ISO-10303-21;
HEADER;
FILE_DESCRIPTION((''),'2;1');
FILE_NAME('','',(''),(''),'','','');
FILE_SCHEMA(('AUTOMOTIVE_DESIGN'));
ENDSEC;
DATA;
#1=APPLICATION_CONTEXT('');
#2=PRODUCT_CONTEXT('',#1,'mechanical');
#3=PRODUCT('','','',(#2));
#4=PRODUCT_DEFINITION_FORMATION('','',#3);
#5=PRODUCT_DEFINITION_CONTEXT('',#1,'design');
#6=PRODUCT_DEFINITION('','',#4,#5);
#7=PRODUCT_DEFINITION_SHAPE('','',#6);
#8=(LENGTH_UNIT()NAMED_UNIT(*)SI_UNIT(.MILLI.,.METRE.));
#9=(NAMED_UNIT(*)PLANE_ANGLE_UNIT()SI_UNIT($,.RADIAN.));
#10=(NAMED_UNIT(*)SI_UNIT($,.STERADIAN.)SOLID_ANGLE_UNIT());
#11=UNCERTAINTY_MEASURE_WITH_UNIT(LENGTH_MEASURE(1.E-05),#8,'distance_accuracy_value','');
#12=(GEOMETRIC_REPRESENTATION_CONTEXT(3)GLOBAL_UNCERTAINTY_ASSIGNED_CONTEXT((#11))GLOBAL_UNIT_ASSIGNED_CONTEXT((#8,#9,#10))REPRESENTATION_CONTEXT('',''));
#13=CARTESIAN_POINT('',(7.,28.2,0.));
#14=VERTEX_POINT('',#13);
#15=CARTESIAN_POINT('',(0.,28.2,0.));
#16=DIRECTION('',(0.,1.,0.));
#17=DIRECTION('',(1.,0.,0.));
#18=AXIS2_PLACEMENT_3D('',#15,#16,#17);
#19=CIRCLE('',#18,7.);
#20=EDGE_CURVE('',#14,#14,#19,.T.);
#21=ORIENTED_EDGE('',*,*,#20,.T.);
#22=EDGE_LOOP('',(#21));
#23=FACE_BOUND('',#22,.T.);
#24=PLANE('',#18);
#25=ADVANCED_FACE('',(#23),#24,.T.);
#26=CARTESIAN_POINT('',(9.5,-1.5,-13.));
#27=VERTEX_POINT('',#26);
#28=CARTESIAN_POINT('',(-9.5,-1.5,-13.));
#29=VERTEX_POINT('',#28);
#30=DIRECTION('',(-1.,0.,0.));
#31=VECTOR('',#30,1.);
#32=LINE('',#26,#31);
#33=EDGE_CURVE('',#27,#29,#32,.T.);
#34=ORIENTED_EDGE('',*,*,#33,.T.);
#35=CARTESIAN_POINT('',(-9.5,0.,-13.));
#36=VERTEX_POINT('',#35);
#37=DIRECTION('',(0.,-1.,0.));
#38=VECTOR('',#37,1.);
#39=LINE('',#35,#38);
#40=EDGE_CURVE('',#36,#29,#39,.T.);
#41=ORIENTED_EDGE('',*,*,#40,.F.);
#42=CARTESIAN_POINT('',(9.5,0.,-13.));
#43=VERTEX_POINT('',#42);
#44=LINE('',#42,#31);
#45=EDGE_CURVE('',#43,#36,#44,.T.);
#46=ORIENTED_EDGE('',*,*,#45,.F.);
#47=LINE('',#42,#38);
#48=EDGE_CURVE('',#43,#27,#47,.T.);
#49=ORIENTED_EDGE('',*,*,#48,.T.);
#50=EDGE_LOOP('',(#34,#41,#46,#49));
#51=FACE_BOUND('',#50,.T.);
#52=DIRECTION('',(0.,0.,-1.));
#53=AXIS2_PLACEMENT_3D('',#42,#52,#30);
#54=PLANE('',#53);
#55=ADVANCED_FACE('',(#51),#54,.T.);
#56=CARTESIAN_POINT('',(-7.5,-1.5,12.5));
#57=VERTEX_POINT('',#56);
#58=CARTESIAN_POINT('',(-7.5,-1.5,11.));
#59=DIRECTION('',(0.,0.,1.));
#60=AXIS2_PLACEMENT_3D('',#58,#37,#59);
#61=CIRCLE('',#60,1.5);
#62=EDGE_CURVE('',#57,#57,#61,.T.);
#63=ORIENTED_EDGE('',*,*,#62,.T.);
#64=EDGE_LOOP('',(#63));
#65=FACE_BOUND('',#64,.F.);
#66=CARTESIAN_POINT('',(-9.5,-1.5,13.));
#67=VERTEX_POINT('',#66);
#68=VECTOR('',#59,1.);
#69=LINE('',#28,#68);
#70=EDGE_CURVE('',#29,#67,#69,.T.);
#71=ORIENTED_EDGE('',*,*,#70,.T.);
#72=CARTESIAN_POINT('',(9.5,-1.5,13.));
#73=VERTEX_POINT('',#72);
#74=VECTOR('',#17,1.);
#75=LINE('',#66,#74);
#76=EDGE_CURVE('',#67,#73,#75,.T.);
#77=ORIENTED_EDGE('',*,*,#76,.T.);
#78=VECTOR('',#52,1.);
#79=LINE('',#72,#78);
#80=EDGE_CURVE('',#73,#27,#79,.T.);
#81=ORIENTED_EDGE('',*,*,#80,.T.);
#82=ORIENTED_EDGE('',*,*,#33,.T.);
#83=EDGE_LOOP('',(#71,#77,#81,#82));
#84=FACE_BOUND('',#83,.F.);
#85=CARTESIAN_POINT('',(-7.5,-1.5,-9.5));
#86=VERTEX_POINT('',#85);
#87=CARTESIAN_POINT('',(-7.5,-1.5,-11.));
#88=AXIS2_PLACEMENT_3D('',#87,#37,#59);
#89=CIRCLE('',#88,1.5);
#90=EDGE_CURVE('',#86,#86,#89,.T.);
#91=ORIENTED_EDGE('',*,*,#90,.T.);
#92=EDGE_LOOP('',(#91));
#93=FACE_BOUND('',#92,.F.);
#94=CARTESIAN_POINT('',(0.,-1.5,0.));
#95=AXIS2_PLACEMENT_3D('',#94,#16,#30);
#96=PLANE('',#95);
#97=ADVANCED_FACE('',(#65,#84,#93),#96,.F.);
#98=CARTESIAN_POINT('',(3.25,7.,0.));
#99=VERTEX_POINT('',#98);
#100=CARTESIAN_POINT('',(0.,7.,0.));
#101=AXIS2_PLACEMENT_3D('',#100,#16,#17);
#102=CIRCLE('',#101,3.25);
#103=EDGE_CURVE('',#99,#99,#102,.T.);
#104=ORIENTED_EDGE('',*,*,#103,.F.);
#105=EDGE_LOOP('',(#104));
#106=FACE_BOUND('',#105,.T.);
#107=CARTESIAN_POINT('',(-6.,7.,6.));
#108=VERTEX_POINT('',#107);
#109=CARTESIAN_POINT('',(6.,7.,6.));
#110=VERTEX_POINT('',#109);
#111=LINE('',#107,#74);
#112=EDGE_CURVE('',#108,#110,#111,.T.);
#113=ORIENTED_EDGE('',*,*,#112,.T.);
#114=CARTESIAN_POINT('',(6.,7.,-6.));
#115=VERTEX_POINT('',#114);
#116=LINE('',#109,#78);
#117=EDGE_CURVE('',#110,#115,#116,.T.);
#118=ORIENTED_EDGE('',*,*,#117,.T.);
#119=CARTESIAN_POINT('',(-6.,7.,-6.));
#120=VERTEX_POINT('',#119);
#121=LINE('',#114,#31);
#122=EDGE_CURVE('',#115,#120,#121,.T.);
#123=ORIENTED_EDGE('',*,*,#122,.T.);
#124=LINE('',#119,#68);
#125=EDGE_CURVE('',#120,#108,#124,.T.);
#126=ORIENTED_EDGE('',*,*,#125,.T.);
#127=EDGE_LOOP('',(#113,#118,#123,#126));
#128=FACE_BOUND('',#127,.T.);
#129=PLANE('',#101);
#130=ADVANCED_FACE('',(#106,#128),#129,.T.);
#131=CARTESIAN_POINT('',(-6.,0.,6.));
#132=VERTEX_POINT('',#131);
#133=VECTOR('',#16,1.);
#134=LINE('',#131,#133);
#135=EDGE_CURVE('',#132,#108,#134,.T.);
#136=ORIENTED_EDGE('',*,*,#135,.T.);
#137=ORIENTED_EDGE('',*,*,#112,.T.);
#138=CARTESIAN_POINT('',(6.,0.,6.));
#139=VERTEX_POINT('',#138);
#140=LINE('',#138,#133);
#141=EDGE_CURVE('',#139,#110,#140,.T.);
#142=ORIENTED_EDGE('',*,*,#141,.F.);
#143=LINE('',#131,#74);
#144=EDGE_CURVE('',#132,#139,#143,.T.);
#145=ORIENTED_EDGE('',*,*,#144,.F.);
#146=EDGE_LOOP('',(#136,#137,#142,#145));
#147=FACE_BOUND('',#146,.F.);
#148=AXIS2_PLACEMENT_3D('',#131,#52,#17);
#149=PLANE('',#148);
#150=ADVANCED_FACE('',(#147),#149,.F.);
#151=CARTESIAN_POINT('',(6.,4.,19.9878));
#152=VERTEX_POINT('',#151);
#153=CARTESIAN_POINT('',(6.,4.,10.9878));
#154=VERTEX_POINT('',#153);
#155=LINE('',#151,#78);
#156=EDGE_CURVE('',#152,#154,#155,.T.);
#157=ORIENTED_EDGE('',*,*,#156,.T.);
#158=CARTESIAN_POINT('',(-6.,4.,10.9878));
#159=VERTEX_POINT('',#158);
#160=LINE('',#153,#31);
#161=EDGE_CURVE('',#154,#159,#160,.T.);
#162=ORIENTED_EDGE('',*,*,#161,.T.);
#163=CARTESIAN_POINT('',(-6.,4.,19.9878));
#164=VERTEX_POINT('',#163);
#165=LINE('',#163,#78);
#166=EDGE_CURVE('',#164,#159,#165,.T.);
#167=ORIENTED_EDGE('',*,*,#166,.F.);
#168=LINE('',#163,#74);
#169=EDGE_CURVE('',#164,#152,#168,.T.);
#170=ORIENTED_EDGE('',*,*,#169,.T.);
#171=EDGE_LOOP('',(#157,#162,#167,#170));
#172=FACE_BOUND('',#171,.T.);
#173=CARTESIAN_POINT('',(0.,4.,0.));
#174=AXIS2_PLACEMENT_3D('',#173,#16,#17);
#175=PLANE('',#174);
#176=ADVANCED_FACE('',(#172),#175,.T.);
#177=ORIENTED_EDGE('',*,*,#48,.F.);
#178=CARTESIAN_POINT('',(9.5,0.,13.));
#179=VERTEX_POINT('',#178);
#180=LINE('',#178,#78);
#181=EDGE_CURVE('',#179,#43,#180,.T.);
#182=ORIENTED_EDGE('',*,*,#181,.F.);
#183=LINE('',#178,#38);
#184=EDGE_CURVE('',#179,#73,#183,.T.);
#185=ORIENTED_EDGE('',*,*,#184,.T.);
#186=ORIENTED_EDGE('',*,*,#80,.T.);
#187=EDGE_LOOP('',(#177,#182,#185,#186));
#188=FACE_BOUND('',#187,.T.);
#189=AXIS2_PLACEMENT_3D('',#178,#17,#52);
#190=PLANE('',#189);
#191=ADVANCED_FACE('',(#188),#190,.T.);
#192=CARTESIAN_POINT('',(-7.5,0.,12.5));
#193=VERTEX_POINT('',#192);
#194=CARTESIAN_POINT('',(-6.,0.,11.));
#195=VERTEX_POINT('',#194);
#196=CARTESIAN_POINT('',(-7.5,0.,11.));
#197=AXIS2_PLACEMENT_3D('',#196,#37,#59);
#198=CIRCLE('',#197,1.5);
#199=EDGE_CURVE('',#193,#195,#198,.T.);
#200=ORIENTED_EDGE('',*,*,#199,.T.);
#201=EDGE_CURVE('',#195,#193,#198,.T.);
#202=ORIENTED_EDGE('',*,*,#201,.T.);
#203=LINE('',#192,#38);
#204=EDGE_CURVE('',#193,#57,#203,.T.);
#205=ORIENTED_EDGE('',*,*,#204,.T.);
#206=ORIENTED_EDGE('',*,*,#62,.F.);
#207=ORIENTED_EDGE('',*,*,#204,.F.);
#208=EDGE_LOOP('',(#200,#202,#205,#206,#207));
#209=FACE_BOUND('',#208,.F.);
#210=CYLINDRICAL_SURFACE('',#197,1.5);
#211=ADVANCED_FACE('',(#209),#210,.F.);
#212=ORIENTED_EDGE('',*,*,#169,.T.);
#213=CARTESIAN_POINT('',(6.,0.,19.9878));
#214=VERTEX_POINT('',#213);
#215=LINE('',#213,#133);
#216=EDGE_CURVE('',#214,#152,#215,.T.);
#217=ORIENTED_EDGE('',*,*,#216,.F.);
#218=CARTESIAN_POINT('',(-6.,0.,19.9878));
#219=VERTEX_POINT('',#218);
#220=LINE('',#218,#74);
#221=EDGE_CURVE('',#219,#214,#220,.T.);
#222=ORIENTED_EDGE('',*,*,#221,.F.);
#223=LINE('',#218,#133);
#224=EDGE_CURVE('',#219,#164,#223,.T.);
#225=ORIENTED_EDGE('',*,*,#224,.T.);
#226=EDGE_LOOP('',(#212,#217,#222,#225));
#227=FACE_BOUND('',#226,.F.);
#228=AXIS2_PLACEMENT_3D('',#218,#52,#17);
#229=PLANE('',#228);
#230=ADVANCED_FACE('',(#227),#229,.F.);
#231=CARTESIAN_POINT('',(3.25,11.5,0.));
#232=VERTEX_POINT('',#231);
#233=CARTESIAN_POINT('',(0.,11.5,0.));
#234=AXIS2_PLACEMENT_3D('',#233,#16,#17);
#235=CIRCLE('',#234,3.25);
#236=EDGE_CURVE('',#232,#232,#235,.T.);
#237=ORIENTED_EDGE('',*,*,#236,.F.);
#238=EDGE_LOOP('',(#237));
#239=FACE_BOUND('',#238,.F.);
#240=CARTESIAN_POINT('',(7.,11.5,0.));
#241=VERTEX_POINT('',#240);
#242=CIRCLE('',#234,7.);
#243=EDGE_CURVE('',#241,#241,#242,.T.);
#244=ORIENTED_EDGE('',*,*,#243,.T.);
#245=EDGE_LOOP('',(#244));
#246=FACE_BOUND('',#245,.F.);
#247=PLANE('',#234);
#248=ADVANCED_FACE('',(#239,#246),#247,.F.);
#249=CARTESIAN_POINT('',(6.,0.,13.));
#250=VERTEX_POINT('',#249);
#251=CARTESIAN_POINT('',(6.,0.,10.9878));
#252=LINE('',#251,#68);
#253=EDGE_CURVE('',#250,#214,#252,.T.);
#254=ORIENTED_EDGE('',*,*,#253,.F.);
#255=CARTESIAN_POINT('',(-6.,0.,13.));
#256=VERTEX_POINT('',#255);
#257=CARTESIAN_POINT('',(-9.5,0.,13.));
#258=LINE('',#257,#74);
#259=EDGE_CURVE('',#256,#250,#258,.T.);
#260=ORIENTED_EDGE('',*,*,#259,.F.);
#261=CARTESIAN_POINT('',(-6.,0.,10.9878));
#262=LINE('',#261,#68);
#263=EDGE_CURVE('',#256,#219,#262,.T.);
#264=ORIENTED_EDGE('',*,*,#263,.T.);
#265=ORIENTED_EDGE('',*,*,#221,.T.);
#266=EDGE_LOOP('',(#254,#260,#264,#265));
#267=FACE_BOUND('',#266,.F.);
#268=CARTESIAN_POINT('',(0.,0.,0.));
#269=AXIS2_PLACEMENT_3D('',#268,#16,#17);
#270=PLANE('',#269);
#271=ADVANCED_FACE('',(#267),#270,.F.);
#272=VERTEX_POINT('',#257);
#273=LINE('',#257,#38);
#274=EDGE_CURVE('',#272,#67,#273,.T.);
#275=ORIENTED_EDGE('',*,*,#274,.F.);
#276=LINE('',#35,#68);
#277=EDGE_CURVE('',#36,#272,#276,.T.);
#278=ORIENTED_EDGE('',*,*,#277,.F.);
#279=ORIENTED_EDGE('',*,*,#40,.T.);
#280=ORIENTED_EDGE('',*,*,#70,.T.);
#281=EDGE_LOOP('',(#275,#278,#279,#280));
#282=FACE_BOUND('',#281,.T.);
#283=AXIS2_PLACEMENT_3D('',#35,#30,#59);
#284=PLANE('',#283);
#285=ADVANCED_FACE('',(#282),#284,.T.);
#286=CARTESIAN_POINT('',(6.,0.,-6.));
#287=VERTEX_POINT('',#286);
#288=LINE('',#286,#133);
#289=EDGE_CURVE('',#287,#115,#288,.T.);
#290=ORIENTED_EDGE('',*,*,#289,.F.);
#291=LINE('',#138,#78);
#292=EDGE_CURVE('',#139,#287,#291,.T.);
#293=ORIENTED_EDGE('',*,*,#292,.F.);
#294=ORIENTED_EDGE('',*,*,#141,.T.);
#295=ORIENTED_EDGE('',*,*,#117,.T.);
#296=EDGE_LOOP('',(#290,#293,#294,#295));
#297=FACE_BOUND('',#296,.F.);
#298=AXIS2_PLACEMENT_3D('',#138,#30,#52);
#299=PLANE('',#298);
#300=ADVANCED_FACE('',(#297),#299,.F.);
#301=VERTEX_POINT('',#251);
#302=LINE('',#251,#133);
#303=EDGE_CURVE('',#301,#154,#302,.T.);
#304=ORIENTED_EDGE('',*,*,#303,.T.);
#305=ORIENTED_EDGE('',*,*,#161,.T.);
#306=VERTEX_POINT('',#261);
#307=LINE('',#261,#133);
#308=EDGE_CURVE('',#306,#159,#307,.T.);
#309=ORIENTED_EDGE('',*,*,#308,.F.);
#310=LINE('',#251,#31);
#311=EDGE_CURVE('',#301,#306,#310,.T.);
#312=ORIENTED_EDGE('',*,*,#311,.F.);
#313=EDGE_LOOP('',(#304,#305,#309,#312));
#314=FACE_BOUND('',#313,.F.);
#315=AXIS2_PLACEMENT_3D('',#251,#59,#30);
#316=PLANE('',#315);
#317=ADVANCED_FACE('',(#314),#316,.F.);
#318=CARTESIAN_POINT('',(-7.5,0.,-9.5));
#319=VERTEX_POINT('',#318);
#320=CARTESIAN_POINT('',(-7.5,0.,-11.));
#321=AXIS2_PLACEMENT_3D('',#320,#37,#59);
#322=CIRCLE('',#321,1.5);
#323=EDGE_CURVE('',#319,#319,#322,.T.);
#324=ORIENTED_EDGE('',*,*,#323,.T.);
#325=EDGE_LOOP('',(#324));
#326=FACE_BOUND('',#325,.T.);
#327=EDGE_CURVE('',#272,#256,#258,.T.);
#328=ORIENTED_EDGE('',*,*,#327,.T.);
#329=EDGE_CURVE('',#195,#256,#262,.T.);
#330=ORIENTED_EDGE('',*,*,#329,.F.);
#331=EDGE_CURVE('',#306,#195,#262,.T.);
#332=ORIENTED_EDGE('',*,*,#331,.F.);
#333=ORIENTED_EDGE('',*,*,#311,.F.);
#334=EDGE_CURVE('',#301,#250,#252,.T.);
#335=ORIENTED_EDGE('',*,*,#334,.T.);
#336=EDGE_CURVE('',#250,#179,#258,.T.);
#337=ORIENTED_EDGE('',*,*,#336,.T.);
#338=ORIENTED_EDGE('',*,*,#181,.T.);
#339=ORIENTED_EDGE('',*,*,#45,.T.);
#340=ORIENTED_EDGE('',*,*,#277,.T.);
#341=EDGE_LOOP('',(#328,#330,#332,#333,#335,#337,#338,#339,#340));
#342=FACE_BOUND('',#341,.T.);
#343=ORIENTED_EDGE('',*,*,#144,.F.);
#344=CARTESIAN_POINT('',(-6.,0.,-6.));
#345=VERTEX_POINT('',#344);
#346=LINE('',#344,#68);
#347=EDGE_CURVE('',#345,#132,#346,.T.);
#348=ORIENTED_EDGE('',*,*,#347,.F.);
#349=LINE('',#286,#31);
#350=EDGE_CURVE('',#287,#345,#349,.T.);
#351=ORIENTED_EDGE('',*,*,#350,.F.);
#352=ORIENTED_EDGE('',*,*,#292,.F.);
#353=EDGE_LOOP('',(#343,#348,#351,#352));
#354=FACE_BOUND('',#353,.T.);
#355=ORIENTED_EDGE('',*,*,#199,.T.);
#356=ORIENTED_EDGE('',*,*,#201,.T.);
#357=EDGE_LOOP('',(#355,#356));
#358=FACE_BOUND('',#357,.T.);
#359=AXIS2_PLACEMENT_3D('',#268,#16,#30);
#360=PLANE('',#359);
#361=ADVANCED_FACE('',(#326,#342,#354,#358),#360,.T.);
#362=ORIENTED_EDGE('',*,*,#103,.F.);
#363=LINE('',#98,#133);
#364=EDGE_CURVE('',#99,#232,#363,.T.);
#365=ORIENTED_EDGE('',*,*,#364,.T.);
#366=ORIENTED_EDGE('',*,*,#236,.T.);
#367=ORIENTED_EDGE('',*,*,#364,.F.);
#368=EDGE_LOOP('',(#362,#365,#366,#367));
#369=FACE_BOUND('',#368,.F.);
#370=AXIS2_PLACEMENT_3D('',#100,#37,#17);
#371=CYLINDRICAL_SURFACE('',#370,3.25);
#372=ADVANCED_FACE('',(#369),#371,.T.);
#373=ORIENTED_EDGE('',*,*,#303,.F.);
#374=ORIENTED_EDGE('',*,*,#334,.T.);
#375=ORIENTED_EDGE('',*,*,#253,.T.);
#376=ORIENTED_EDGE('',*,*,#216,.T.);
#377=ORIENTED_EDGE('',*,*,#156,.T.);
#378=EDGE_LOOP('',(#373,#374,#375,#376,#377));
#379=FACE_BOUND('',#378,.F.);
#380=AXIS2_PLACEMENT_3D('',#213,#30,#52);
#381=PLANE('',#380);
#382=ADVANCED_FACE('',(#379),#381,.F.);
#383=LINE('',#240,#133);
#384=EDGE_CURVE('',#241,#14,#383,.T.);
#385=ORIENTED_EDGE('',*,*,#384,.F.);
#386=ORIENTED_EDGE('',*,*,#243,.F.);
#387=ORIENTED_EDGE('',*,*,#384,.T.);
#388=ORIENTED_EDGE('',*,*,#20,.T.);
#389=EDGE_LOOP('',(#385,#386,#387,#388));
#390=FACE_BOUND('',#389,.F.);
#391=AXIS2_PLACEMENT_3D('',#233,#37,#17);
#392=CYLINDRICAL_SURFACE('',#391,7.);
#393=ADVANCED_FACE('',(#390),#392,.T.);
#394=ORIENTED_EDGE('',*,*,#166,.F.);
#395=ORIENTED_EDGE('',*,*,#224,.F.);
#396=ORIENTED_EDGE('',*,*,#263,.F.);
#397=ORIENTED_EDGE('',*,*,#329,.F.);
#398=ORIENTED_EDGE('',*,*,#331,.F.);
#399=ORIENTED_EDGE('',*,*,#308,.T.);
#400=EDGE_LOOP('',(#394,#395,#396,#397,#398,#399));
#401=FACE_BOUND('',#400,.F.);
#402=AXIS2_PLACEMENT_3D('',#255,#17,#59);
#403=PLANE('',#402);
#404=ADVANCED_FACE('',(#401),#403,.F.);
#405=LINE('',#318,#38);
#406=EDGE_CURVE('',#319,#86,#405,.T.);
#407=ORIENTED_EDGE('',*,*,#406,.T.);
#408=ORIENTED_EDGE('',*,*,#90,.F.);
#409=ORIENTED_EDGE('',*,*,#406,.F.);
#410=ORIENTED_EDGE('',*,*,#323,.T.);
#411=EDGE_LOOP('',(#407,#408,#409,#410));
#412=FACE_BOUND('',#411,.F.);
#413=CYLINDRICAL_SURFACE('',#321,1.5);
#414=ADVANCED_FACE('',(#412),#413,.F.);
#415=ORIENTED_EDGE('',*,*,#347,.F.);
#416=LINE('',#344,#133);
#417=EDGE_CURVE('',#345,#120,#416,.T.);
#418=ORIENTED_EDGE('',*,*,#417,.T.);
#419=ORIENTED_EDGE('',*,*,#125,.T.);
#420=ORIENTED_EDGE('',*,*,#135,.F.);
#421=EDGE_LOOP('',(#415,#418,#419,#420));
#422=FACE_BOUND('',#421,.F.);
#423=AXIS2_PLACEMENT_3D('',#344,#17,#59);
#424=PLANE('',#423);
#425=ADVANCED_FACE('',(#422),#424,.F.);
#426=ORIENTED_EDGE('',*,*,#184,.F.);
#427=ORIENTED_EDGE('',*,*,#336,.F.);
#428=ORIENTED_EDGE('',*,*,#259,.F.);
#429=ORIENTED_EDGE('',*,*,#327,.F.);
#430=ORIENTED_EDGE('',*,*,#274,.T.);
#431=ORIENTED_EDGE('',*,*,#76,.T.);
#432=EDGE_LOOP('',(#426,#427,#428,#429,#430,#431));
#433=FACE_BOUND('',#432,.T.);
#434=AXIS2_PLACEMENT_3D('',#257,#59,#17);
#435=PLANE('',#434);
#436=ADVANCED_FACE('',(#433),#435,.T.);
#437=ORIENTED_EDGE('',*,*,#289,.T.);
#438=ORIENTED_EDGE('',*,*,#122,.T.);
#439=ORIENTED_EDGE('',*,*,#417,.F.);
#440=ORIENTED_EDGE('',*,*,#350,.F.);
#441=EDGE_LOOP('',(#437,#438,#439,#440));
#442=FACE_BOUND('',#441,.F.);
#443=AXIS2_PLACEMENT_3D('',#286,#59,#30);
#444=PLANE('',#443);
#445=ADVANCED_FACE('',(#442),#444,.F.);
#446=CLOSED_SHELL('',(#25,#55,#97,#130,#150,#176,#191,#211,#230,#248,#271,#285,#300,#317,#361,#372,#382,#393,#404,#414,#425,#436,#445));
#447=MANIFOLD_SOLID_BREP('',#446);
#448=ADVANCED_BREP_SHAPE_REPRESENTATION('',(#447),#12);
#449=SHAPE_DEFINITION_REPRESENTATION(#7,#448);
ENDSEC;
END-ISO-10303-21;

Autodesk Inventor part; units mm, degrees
ref_plane "YZ Plane" through (0, 0, 0) normal (1, 0, 0) x (0, 1, 0)
ref_plane "XZ Plane" through (0, 0, 0) normal (0, 1, 0) x (-1, 0, 0)
ref_plane "XY Plane" through (0, 0, 0) normal (0, 0, 1) x (1, 0, 0)
sketch "Sketch1" plane through (0, 0, 0) normal (0, 1, 0) x (-1, 0, 0)
  line L0 (9.5, 13) -> (-9.5, 13)
  line L1 (-9.5, 13) -> (-9.5, -13)
  line L2 (-9.5, -13) -> (9.5, -13)
  line L3 (9.5, -13) -> (9.5, 13)
  line L4 (9.5, 13) -> (-9.5, -13) construction
  line L5 (-9.5, 13) -> (9.5, -13) construction
  line L6 (7.5, 11) -> (-7.5, 11) construction
  line L7 (-7.5, 11) -> (-7.5, -11) construction
  line L8 (-7.5, -11) -> (7.5, -11) construction
  line L9 (7.5, -11) -> (7.5, 11) construction
  point P0 (0, 0)
  dimension "d0" = 19
  dimension "d1" = 26
  dimension "d2" = 2
extrude "Extrusion1" add sketch "Sketch1" against normal blind 1.5
sketch "Sketch2" plane through (0, 0, 0) normal (0, 1, 0) x (1, 0, 0)
  line L0 (-6, -19.9878) -> (6, -19.9878)
  line L1 (6, -19.9878) -> (6, -10.9878)
  line L2 (6, -10.9878) -> (-6, -10.9878)
  line L3 (-6, -10.9878) -> (-6, -19.9878)
  line L4 (-6, -19.9878) -> (6, -10.9878) construction
  line L5 (6, -19.9878) -> (-6, -10.9878) construction
  line L6 (-9.5, 13) -> (-9.5, -13) projected
  line L7 (-9.5, -13) -> (9.5, -13) projected
  point P0 (0, 0)
  point P1 (0, -15.4878)
  point P2 (0, -10.9878)
  point P3 (0, -10.9878)
  point P4 (0, -10.9878)
  dimension "d12" = 12
  dimension "d13" = 9
  dimension "d14" = 9.5
  dimension "d15" = 2.0122
extrude "Extrusion2" add sketch "Sketch2" along normal blind 4
sketch "Sketch3" plane through (0, 0, 0) normal (0, 1, 0) x (1, 0, 0)
  line L0 (-6, -6) -> (6, -6)
  line L1 (6, -6) -> (6, 6)
  line L2 (6, 6) -> (-6, 6)
  line L3 (-6, 6) -> (-6, -6)
  line L4 (-6, -6) -> (6, 6) construction
  line L5 (6, -6) -> (-6, 6) construction
  point P0 (0, 0)
  dimension "d18" = 12
  dimension "d19" = 12
hole "Hole2" at (-7.5, 0, 11) at (-7.5, 0, -11) direction (0, -1, 0) diameter 3 end through all
extrude "Extrusion3" add sketch "Sketch3" along normal blind 7
sketch "Sketch4" plane through (0, 7, 0) normal (0, 1, 0) x (1, 0, 0)
  circle A0 centre (0, 0) radius 3.25
  dimension "d29" = 6.5
extrude "Extrusion4" add sketch "Sketch4" along normal blind 4.5
sketch "Sketch5" plane through (0, 11.5, 0) normal (0, 1, 0) x (1, 0, 0)
  circle A0 centre (0, 0) radius 7
  dimension "d32" = 14
extrude "Extrusion5" add sketch "Sketch5" along normal blind 16.7
properties part number "encoder_footprint"
